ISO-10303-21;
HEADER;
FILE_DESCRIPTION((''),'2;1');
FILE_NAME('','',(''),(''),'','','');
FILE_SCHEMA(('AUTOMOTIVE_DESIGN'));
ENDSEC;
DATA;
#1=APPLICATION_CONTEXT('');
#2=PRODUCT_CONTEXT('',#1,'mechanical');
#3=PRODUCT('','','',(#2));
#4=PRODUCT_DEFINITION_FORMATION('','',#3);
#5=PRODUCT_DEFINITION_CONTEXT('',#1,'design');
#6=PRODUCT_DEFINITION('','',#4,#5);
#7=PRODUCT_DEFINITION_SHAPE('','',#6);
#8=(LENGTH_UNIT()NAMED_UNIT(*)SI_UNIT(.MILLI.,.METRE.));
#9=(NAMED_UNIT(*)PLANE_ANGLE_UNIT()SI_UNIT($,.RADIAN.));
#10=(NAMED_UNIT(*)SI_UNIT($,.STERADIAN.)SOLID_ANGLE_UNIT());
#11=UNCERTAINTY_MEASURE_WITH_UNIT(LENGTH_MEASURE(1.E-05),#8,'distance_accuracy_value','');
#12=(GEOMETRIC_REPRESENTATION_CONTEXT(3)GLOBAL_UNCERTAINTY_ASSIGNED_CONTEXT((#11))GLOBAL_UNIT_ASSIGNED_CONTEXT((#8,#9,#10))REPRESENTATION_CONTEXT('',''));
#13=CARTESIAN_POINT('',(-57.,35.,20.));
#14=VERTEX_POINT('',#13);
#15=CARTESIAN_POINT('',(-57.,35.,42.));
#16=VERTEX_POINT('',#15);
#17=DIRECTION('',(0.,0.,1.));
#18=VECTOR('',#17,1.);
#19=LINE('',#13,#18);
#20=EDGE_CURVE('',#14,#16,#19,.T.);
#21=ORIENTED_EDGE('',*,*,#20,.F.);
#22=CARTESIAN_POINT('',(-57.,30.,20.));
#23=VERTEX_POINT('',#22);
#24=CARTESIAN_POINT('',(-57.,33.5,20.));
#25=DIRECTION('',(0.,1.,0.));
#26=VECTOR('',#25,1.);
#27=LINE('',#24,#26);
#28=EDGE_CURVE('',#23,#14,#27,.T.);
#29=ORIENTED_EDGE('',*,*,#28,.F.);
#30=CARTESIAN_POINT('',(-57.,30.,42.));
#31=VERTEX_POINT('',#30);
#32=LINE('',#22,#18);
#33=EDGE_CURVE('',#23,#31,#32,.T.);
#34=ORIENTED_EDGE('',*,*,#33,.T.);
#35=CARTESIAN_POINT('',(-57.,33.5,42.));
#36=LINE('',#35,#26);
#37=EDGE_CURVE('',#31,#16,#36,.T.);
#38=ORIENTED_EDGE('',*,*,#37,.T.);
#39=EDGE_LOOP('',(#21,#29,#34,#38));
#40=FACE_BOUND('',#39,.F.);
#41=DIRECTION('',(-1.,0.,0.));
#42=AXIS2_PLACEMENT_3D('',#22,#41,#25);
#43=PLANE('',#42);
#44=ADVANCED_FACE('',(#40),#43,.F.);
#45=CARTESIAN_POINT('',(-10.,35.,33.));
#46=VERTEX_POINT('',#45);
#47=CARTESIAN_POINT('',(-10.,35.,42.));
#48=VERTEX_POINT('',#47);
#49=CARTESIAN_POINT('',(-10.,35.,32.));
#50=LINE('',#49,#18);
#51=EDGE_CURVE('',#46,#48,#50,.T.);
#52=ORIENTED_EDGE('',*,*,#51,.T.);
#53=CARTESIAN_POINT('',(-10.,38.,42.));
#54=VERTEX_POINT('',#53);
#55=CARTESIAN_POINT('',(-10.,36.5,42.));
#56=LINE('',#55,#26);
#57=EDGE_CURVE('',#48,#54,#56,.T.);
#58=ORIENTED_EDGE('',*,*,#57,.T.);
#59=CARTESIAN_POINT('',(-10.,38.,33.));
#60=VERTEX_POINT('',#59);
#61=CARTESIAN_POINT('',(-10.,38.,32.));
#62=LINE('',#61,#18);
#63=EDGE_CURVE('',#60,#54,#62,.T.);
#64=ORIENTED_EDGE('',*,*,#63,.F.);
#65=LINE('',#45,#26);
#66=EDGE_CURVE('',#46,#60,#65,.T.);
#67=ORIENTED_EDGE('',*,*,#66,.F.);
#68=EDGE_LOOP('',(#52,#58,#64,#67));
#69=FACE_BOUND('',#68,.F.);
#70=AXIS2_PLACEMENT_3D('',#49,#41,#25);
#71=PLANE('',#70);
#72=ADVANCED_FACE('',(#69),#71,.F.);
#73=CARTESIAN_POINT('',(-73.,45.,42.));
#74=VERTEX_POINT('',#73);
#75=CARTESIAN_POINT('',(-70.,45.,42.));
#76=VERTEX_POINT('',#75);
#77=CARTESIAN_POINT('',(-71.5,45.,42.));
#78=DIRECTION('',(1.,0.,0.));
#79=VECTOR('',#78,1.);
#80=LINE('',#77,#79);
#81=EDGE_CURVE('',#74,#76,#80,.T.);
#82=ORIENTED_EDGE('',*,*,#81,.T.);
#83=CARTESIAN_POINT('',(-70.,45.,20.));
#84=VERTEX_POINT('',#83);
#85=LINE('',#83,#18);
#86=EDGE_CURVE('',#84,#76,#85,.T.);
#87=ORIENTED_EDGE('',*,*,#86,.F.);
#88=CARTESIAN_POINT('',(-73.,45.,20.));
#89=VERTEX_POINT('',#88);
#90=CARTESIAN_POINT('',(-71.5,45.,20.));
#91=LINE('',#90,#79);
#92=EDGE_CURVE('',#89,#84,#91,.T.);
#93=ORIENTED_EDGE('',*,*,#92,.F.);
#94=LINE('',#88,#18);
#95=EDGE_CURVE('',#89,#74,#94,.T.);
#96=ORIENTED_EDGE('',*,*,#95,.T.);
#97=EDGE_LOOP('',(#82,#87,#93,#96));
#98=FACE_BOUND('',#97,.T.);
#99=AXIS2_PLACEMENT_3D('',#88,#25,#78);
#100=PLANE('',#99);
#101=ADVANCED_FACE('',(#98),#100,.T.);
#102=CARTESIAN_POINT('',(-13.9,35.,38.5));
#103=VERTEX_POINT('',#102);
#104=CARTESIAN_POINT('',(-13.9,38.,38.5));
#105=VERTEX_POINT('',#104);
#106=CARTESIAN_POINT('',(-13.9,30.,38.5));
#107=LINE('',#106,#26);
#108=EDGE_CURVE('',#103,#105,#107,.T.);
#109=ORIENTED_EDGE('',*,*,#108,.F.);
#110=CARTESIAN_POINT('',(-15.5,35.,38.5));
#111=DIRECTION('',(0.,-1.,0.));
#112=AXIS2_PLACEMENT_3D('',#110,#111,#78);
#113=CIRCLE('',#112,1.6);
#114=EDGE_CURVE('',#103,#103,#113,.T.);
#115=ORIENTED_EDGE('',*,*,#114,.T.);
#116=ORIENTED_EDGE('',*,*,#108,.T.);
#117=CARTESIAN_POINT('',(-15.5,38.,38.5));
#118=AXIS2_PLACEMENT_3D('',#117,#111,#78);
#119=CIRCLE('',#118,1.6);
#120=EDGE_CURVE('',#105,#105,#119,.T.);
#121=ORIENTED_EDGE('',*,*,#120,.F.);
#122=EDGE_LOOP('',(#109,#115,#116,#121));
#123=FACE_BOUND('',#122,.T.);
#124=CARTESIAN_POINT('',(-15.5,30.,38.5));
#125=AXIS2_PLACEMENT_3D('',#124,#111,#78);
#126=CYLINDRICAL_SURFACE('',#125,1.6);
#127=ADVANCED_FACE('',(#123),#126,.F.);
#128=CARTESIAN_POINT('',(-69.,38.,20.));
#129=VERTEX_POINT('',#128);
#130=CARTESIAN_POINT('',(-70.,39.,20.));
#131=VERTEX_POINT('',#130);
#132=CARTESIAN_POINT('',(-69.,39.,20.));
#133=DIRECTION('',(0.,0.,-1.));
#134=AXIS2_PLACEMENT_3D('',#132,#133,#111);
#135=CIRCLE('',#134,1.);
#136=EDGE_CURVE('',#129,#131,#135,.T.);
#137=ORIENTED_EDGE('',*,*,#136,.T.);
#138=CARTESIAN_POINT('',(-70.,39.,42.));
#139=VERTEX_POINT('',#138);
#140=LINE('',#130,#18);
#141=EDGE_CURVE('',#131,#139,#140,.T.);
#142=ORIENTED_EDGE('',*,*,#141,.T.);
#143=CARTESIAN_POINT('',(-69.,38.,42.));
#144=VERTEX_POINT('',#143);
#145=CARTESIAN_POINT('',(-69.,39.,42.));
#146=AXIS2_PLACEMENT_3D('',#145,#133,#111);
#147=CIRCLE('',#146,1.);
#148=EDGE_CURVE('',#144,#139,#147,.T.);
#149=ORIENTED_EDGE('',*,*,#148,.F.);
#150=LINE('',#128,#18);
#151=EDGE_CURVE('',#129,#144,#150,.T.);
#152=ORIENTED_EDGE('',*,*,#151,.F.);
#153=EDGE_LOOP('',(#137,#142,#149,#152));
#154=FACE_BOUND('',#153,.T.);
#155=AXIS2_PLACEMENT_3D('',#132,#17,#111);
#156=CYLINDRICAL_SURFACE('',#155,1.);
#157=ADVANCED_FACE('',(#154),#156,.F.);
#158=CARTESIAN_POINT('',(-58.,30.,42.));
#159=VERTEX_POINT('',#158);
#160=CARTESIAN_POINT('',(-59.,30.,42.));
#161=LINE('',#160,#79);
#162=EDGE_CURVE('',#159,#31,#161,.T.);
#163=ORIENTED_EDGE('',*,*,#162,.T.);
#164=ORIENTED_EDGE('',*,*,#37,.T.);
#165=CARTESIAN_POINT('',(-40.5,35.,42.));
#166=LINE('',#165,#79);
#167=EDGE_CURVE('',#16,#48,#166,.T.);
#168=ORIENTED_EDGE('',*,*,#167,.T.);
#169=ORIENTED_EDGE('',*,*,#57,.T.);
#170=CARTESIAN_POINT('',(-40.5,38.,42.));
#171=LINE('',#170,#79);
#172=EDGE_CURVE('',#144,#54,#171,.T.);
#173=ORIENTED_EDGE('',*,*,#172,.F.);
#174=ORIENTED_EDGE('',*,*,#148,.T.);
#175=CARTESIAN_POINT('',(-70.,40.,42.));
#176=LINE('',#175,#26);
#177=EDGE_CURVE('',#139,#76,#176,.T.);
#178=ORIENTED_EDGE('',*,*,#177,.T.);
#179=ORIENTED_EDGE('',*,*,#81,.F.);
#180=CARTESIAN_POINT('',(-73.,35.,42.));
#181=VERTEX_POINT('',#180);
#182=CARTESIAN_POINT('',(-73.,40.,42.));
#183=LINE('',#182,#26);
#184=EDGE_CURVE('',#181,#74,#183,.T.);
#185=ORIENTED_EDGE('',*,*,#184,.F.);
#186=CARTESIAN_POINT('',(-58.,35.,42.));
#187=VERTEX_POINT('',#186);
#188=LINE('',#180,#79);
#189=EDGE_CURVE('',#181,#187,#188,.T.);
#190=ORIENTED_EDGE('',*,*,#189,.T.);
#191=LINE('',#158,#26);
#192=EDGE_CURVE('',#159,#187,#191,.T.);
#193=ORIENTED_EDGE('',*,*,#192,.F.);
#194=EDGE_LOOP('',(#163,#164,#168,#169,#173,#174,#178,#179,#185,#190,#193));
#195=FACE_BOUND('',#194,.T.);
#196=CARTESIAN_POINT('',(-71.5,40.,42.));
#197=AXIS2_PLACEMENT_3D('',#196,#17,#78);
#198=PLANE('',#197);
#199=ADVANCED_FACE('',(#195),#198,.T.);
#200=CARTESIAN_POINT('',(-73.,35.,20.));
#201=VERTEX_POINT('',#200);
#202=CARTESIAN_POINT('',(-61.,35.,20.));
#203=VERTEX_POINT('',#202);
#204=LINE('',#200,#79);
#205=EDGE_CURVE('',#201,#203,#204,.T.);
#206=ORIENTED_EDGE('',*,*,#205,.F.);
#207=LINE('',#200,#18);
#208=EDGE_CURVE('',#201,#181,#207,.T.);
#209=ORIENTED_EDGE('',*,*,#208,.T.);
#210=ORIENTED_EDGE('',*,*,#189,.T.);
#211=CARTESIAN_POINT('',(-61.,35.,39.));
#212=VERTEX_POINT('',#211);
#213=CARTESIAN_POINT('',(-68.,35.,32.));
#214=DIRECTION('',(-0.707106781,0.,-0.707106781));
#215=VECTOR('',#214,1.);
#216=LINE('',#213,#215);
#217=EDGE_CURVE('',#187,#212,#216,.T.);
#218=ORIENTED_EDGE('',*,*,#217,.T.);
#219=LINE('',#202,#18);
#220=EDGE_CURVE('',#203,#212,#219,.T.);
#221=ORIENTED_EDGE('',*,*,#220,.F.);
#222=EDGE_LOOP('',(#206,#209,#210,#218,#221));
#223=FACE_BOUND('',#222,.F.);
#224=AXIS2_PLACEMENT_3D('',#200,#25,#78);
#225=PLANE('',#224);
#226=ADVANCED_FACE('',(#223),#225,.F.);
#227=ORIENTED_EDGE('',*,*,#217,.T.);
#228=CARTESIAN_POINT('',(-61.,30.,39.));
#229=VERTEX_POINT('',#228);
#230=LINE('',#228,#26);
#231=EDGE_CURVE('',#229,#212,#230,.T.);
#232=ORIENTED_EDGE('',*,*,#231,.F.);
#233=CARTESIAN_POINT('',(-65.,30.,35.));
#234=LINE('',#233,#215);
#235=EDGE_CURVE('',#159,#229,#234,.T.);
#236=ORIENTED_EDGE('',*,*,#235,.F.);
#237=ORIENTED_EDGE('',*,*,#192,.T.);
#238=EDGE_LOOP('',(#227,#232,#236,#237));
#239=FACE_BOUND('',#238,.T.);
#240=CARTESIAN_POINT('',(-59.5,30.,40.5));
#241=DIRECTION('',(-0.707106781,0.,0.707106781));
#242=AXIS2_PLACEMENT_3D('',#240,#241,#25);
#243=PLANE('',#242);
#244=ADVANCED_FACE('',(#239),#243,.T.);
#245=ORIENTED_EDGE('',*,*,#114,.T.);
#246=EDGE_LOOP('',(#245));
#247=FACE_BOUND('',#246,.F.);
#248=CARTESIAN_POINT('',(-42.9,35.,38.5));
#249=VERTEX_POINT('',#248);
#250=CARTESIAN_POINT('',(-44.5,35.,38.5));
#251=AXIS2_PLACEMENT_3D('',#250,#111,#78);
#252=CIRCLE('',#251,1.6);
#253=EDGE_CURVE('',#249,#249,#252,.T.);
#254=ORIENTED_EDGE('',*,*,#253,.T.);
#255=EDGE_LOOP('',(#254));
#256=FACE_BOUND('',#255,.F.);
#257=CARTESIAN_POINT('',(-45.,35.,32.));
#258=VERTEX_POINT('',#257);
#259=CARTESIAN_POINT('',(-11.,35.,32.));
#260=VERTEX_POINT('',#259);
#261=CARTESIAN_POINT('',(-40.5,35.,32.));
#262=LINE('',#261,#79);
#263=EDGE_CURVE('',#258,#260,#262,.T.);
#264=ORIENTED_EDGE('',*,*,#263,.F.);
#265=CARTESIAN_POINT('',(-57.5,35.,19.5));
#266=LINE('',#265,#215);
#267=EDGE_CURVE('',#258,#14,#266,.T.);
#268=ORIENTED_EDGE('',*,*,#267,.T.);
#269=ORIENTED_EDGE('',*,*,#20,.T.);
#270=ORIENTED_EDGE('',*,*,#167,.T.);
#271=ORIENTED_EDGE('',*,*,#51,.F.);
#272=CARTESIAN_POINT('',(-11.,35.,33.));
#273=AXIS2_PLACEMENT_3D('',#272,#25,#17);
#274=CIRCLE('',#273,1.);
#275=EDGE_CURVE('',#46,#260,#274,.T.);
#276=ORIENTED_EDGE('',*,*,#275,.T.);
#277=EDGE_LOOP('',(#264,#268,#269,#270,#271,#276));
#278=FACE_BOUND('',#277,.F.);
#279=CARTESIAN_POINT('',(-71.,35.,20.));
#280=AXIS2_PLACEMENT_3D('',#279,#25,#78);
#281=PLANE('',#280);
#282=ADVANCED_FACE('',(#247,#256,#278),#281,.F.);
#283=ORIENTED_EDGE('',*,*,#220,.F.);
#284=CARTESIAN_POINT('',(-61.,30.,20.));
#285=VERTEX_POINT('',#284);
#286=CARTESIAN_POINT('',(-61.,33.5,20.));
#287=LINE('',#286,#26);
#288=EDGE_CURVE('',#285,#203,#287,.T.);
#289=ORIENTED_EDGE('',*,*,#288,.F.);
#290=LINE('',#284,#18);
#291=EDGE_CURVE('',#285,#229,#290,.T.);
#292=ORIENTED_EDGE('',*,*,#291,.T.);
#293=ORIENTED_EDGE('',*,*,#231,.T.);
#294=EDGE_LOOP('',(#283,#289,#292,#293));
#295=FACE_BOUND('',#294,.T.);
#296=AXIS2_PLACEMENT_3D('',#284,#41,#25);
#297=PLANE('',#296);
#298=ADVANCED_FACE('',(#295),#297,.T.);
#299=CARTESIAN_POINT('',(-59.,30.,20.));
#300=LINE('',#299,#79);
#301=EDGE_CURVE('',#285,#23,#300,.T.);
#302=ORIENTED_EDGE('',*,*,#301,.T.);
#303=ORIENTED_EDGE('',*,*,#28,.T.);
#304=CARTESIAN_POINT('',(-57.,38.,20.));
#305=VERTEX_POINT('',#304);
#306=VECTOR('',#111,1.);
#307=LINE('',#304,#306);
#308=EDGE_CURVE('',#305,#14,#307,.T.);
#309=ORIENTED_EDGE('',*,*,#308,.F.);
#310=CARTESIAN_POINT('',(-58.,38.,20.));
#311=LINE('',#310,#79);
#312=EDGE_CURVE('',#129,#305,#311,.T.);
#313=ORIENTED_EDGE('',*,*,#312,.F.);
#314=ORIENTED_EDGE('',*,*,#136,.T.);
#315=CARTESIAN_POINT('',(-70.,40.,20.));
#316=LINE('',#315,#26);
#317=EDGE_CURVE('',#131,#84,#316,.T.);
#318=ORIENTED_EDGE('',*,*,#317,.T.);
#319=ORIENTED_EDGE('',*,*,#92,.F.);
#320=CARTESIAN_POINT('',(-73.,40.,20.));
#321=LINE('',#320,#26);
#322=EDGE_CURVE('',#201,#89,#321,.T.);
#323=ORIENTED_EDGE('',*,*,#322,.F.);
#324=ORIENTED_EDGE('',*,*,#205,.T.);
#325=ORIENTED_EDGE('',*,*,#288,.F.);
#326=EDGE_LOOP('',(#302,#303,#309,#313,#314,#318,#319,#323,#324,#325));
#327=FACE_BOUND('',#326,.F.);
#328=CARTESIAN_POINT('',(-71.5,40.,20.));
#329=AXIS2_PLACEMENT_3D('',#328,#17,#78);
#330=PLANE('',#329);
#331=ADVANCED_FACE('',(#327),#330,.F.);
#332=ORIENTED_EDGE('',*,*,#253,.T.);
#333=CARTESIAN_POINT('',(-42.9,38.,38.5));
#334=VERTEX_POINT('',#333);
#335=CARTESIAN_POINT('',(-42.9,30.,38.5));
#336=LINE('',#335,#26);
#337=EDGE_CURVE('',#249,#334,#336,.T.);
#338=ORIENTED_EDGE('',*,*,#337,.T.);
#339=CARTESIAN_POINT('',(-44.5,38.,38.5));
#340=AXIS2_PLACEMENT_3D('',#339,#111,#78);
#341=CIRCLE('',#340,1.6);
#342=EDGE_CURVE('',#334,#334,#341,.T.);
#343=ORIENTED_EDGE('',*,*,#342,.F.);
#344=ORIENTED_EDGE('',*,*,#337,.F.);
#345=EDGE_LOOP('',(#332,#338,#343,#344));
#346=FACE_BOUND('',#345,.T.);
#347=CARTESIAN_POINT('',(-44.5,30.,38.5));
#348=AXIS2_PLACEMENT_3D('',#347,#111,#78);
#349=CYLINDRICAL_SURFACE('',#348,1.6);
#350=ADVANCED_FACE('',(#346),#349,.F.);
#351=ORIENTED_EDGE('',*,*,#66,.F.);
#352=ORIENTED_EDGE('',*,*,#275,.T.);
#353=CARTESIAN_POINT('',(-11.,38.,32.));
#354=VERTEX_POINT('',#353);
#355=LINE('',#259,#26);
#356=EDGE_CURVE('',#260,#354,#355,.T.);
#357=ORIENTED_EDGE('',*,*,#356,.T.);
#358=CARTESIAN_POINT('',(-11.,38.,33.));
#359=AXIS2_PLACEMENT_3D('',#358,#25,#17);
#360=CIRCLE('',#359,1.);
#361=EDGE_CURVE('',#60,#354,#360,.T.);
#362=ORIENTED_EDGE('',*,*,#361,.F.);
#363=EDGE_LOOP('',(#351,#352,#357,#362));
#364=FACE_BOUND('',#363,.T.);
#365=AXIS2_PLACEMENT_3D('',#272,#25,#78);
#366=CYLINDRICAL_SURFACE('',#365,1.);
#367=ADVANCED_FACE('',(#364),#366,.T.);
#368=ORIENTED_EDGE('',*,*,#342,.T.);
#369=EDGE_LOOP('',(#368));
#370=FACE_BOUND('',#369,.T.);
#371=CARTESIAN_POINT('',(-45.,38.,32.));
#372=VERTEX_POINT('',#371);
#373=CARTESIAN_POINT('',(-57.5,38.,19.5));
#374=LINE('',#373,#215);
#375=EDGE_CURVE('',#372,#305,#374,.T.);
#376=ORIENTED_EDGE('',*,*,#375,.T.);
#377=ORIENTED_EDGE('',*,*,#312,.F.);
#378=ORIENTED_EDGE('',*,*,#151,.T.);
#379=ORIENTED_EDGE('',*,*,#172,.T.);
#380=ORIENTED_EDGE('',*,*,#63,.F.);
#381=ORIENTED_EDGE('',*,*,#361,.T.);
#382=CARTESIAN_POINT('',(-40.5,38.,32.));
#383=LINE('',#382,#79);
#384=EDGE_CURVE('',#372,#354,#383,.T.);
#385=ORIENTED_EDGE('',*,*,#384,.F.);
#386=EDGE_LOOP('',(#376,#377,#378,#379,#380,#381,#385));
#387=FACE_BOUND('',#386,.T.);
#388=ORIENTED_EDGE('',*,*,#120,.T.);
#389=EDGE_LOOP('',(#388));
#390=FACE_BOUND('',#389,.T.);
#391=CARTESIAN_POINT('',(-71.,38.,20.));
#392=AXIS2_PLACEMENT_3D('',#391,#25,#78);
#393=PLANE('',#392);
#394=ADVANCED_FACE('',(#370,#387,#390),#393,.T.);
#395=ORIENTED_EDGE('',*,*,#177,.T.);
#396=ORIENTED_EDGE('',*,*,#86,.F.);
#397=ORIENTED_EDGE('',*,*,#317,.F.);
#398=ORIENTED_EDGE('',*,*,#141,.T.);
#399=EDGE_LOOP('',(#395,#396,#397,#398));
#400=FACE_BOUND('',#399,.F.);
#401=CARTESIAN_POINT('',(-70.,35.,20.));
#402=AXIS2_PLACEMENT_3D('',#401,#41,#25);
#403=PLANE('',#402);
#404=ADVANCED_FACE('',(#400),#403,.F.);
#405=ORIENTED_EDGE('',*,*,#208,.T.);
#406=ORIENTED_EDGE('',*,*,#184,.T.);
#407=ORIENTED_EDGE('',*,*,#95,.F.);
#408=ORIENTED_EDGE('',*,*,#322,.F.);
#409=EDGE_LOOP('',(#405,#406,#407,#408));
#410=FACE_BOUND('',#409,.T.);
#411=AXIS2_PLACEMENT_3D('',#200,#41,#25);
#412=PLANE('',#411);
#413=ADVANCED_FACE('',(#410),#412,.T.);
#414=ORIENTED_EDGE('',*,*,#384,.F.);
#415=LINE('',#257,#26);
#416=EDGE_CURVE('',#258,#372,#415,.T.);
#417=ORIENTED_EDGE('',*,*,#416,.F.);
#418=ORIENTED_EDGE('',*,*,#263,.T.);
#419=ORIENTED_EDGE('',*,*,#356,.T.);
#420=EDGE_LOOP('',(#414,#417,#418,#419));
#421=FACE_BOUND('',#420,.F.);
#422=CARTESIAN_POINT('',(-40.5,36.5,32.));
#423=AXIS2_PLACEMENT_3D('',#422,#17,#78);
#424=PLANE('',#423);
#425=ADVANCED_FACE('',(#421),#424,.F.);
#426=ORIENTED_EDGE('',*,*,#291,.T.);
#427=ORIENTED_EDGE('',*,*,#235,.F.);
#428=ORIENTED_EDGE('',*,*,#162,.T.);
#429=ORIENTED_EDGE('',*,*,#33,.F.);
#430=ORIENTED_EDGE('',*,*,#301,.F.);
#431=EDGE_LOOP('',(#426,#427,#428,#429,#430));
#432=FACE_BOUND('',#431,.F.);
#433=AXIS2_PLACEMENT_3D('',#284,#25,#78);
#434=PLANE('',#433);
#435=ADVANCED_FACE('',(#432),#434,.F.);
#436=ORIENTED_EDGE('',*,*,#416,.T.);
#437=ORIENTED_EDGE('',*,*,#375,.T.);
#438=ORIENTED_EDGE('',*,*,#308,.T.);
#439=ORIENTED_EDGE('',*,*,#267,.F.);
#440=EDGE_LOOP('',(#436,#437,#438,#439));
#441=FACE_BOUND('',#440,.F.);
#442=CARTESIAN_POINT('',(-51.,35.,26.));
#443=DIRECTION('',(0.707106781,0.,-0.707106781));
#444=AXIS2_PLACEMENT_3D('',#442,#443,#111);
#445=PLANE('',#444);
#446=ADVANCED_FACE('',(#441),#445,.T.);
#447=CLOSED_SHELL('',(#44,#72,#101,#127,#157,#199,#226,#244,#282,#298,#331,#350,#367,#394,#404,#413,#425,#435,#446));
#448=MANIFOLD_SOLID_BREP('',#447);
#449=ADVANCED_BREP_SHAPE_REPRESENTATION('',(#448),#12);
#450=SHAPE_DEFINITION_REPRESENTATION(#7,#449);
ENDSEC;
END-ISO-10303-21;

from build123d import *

# Parameters (mm, degrees)
CYLINDER033_R          = 1.6
CYLINDER033_DEPTH      = 10
CYLINDER033_ROLL_ANGLE = -90
CYLINDER032_R          = 1.6
CYLINDER032_DEPTH      = 10
CYLINDER032_ROLL_ANGLE = -90
BOX029_W               = 3
BOX029_H               = 10
BOX029_DEPTH           = 22
BOX031_W               = 4
BOX031_H               = 7
BOX031_DEPTH           = 22
BOX030_W               = 26
BOX030_H               = 3
BOX030_DEPTH           = 21
CHAMFER006_SIZE        = 12
BOX028_W               = 61
BOX028_H               = 3
BOX028_DEPTH           = 10
CHAMFER007_SIZE        = 3
FILLET026_R            = 1


with BuildPart() as cylinder033:
    # Cylinder033 → Cylinder033 (new body)
    with BuildSketch(Plane.XY):
        Circle(CYLINDER033_R)
    extrude(amount=CYLINDER033_DEPTH)


with BuildPart() as cylinder033_1:
    # Cylinder033 roll: moved
    add(cylinder033.part.rotate(Axis((0, 0, 0), (1, 0, 0)), CYLINDER033_ROLL_ANGLE))


with BuildPart() as cylinder033_2:
    # Cylinder033 placement: moved
    add(cylinder033_1.part.moved(Location((-15.5, 30, 38.5))))


with BuildPart() as fusion029:
    # Cylinder032 → Cylinder032 (new body)
    with BuildSketch(Plane.XY):
        Circle(CYLINDER032_R)
    extrude(amount=CYLINDER032_DEPTH)


with BuildPart() as fusion029_1:
    # Cylinder032 roll: moved
    add(fusion029.part.rotate(Axis((0, 0, 0), (1, 0, 0)), CYLINDER032_ROLL_ANGLE))


with BuildPart() as fusion029_2:
    # Cylinder032 placement: moved
    add(fusion029_1.part.moved(Location((-44.5, 30, 38.5))))

    # Fusion029: union Cylinder033
    add(cylinder033_2.part)


with BuildPart() as cube029:
    # Box029 → Box029 (new body)
    with BuildSketch(Plane(origin=(-73, 35, 20), x_dir=(1, 0, 0), z_dir=(0, 0, 1))):
        with Locations((1.5, 5)):
            Rectangle(BOX029_W, BOX029_H)
    extrude(amount=BOX029_DEPTH)


with BuildPart() as cube031:
    # Box031 → Box031 (new body)
    with BuildSketch(Plane(origin=(-61, 30, 20), x_dir=(1, 0, 0), z_dir=(0, 0, 1))):
        with Locations((2, 3.5)):
            Rectangle(BOX031_W, BOX031_H)
    extrude(amount=BOX031_DEPTH)


with BuildPart() as chamfer006:
    # Box030 → Box030 (new body)
    with BuildSketch(Plane(origin=(-71, 35, 20), x_dir=(1, 0, 0), z_dir=(0, 0, 1))):
        with Locations((13, 1.5)):
            Rectangle(BOX030_W, BOX030_H)
    extrude(amount=BOX030_DEPTH)

    # Chamfer006
    chamfer006_edges = [chamfer006.edges().sort_by_distance(p)[0] for p in [
        (-45, 36.5, 20),
    ]]
    chamfer(chamfer006_edges, length=CHAMFER006_SIZE)


with BuildPart() as fillet026:
    # Box028 → Box028 (new body)
    with BuildSketch(Plane(origin=(-71, 35, 32), x_dir=(1, 0, 0), z_dir=(0, 0, 1))):
        with Locations((30.5, 1.5)):
            Rectangle(BOX028_W, BOX028_H)
    extrude(amount=BOX028_DEPTH)

    # Fusion026: union Chamfer006
    add(chamfer006.part)

    # Fusion027: union Cube031
    add(cube031.part)

    # Fusion028: union Cube029
    add(cube029.part)

    # Chamfer007
    chamfer007_edges = [fillet026.edges().sort_by_distance(p)[0] for p in [
        (-61, 32.5, 42),
    ]]
    chamfer(chamfer007_edges, length=CHAMFER007_SIZE)

    # Cut037: cut Fusion029
    add(fusion029_2.part, mode=Mode.SUBTRACT)

    # Fillet026
    fillet026_edges = [fillet026.edges().sort_by_distance(p)[0] for p in [
        (-10, 36.5, 32),
        (-70, 38, 31),
    ]]
    fillet(fillet026_edges, radius=FILLET026_R)


solid = fillet026.part
